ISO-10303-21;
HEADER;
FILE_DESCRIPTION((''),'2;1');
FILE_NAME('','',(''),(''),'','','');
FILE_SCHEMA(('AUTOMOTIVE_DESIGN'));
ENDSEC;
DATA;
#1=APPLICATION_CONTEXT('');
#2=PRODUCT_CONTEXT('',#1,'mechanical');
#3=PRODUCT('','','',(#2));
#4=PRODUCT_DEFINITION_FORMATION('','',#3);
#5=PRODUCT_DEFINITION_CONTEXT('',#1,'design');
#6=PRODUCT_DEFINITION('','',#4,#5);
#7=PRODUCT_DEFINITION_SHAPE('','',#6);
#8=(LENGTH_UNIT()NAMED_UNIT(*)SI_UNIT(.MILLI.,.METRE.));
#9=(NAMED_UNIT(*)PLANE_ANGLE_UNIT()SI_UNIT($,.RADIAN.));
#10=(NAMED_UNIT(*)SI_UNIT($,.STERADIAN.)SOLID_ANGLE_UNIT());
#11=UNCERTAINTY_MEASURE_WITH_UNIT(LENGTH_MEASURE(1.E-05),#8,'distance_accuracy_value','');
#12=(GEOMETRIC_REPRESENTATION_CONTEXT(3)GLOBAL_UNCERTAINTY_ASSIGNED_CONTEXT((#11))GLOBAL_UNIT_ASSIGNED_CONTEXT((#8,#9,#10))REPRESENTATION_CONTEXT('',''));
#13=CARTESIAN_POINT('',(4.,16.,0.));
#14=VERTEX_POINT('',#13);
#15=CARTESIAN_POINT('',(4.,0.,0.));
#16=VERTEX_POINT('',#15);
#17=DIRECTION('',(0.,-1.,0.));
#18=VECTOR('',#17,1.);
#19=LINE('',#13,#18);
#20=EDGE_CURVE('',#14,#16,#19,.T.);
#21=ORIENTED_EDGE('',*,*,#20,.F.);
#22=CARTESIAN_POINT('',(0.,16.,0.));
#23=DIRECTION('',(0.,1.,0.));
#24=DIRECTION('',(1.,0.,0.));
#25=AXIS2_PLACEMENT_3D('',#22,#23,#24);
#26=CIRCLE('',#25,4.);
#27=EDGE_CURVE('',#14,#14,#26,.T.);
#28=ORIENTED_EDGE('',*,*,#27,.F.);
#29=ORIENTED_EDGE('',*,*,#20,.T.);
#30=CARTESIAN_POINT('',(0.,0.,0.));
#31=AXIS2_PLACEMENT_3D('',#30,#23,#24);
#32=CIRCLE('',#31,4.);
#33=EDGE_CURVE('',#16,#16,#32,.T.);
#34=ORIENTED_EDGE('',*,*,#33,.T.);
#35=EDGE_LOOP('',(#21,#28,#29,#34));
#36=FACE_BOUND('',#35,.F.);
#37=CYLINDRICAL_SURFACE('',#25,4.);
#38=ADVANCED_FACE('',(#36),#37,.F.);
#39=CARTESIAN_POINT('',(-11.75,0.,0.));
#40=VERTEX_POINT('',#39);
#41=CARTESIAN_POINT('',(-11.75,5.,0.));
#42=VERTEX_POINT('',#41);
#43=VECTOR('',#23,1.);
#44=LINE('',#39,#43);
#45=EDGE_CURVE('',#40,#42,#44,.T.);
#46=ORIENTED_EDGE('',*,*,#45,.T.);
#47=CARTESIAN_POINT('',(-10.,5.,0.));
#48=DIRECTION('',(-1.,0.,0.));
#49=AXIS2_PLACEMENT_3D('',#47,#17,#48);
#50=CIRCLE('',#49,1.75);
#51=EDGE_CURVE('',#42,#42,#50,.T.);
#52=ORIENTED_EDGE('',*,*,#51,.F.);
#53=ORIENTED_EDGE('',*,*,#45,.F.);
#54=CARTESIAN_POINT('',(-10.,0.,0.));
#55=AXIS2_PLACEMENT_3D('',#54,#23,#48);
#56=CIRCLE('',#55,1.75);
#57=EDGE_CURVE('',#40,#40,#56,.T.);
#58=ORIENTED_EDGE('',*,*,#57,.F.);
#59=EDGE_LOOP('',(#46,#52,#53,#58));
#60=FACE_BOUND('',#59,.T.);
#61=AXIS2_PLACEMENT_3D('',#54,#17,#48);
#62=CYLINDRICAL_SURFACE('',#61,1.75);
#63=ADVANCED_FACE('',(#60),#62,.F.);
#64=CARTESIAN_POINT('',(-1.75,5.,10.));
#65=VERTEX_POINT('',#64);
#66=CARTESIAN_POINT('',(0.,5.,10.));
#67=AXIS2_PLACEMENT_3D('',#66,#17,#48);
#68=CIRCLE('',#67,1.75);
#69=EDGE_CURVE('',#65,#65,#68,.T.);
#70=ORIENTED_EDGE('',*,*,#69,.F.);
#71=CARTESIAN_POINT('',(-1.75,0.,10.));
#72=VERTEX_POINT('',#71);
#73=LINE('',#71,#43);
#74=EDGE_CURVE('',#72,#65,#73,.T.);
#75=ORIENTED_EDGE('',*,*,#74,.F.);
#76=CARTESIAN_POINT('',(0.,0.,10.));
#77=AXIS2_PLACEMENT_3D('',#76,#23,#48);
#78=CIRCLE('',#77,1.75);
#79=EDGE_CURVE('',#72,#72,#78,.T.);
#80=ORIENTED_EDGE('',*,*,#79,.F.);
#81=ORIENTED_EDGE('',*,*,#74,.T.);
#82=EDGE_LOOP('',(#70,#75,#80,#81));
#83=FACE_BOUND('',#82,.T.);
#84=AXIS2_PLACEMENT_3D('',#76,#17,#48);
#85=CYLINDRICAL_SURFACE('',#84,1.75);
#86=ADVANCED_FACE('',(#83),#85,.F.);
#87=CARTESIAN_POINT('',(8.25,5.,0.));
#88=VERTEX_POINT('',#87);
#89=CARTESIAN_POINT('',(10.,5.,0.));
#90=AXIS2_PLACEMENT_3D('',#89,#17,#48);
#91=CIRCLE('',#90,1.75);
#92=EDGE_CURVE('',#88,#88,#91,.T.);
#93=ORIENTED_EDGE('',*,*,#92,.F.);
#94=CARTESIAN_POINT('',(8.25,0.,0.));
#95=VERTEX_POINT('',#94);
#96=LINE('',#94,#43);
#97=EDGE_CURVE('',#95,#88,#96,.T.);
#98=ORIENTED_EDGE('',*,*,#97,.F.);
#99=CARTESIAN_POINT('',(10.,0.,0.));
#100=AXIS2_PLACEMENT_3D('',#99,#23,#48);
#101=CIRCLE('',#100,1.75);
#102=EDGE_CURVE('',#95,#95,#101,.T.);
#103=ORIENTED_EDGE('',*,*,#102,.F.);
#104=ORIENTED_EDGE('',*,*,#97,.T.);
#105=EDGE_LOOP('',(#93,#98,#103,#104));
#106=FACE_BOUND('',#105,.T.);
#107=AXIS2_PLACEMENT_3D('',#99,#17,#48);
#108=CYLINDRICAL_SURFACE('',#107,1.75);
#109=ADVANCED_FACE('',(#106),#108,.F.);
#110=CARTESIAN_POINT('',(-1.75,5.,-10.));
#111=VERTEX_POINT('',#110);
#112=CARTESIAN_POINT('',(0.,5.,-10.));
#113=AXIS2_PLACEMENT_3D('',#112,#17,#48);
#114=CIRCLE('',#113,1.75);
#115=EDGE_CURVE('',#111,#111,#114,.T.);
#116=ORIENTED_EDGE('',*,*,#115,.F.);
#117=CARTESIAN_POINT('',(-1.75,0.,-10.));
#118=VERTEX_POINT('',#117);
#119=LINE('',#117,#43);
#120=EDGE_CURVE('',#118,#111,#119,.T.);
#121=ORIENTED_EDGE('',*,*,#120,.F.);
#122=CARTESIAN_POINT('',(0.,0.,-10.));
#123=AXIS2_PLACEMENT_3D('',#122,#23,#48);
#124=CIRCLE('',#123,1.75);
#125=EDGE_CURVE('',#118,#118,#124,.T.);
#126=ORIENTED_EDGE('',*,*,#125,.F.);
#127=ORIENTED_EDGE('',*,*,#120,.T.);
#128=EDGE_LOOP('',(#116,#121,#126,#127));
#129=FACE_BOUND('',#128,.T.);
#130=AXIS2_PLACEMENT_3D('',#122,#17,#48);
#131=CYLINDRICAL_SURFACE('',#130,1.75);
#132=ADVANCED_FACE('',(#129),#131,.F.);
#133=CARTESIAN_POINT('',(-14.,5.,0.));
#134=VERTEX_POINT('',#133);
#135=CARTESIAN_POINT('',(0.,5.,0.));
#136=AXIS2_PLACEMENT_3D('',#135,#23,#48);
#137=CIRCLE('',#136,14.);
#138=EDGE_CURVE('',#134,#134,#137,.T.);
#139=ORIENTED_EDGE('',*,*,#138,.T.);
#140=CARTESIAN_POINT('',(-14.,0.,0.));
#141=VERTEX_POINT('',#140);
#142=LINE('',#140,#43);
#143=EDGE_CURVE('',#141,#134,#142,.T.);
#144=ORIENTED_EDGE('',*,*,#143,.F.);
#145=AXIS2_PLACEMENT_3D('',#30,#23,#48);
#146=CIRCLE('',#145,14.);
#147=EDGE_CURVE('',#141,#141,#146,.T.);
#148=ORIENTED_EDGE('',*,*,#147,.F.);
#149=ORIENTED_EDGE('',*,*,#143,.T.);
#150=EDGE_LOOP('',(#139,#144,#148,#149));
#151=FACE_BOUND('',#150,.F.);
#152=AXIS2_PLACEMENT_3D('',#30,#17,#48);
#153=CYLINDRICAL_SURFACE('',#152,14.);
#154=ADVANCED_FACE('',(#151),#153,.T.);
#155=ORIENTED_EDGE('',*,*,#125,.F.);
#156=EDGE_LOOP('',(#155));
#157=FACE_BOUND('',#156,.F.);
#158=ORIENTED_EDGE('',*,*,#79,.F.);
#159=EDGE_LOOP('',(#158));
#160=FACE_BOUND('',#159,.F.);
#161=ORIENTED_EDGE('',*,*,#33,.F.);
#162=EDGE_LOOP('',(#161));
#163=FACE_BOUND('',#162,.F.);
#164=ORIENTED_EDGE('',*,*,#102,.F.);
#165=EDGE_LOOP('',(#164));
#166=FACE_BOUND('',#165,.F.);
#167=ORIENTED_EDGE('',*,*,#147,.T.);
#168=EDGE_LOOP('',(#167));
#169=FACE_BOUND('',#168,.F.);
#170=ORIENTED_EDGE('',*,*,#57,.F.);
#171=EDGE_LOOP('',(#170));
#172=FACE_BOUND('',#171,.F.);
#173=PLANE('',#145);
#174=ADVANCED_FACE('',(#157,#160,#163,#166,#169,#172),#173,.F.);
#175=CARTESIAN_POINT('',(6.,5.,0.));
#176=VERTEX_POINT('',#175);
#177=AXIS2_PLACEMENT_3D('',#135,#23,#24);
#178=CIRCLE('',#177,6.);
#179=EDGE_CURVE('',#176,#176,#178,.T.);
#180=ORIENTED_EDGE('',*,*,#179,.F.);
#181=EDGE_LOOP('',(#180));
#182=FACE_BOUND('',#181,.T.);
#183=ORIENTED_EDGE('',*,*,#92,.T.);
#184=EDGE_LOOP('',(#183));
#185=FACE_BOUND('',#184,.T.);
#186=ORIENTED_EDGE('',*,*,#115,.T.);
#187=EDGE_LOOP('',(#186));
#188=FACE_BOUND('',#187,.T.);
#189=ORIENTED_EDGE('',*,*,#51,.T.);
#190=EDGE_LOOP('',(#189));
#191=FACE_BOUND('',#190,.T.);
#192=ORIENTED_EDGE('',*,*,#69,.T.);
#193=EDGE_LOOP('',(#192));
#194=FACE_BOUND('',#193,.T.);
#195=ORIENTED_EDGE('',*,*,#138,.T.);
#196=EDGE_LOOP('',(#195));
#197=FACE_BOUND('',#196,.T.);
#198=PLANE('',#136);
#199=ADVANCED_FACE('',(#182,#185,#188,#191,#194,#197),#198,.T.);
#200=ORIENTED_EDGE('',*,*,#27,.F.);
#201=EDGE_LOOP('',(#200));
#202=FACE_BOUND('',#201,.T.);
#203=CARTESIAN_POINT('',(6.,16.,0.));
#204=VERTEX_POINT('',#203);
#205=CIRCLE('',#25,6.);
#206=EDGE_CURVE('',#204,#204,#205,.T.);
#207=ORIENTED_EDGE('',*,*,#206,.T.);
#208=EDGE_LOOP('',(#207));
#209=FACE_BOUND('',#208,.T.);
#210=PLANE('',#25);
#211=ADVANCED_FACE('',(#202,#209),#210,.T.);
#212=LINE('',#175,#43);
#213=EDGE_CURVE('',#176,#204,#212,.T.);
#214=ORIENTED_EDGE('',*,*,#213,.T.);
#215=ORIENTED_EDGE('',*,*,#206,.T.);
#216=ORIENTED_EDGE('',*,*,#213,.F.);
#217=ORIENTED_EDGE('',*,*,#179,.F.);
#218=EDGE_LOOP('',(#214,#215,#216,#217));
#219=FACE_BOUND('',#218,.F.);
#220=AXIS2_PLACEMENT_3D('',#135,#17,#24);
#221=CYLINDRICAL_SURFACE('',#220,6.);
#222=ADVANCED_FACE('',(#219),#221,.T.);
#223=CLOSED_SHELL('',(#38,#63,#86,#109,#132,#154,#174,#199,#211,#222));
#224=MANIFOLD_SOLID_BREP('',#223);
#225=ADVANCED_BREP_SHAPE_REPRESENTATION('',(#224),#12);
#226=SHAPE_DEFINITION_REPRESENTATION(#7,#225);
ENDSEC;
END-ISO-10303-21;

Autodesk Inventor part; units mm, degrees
ref_plane "YZ Plane" through (0, 0, 0) normal (1, 0, 0) x (0, 1, 0)
ref_plane "XZ Plane" through (0, 0, 0) normal (0, 1, 0) x (-1, 0, 0)
ref_plane "XY Plane" through (0, 0, 0) normal (0, 0, 1) x (1, 0, 0)
sketch "草圖1" plane through (0, 0, 0) normal (0, 1, 0) x (-1, 0, 0)
  circle A0 centre (0, 0) radius 14
  circle A1 centre (0, 0) radius 10
  circle A2 centre (10, 0) radius 1.75
  circle A3 centre (0, 10) radius 1.75
  circle A4 centre (-10, 0) radius 1.75
  circle A5 centre (0, -10) radius 1.75
  dimension "d3" = 20
  dimension "d0" = 28
  dimension "d4" = 3.5
  dimension "d7" = 360
extrude "擠出1" add sketch "草圖1" along normal blind 5 contours A0 | A2 A1 A5 A4 A3
sketch "草圖2" plane through (0, 5, 0) normal (0, 1, 0) x (1, 0, 0)
  circle A0 centre (0, 0) radius 6
  dimension "d9" = 12
extrude "擠出2" add sketch "草圖2" along normal blind 11
sketch "草圖3" plane through (0, 16, 0) normal (0, 1, 0) x (1, 0, 0)
  circle A0 centre (0, 0) radius 4
  dimension "d12" = 8
extrude "擠出3" cut sketch "草圖3" against normal through all
properties part number "8mm axle mount"
